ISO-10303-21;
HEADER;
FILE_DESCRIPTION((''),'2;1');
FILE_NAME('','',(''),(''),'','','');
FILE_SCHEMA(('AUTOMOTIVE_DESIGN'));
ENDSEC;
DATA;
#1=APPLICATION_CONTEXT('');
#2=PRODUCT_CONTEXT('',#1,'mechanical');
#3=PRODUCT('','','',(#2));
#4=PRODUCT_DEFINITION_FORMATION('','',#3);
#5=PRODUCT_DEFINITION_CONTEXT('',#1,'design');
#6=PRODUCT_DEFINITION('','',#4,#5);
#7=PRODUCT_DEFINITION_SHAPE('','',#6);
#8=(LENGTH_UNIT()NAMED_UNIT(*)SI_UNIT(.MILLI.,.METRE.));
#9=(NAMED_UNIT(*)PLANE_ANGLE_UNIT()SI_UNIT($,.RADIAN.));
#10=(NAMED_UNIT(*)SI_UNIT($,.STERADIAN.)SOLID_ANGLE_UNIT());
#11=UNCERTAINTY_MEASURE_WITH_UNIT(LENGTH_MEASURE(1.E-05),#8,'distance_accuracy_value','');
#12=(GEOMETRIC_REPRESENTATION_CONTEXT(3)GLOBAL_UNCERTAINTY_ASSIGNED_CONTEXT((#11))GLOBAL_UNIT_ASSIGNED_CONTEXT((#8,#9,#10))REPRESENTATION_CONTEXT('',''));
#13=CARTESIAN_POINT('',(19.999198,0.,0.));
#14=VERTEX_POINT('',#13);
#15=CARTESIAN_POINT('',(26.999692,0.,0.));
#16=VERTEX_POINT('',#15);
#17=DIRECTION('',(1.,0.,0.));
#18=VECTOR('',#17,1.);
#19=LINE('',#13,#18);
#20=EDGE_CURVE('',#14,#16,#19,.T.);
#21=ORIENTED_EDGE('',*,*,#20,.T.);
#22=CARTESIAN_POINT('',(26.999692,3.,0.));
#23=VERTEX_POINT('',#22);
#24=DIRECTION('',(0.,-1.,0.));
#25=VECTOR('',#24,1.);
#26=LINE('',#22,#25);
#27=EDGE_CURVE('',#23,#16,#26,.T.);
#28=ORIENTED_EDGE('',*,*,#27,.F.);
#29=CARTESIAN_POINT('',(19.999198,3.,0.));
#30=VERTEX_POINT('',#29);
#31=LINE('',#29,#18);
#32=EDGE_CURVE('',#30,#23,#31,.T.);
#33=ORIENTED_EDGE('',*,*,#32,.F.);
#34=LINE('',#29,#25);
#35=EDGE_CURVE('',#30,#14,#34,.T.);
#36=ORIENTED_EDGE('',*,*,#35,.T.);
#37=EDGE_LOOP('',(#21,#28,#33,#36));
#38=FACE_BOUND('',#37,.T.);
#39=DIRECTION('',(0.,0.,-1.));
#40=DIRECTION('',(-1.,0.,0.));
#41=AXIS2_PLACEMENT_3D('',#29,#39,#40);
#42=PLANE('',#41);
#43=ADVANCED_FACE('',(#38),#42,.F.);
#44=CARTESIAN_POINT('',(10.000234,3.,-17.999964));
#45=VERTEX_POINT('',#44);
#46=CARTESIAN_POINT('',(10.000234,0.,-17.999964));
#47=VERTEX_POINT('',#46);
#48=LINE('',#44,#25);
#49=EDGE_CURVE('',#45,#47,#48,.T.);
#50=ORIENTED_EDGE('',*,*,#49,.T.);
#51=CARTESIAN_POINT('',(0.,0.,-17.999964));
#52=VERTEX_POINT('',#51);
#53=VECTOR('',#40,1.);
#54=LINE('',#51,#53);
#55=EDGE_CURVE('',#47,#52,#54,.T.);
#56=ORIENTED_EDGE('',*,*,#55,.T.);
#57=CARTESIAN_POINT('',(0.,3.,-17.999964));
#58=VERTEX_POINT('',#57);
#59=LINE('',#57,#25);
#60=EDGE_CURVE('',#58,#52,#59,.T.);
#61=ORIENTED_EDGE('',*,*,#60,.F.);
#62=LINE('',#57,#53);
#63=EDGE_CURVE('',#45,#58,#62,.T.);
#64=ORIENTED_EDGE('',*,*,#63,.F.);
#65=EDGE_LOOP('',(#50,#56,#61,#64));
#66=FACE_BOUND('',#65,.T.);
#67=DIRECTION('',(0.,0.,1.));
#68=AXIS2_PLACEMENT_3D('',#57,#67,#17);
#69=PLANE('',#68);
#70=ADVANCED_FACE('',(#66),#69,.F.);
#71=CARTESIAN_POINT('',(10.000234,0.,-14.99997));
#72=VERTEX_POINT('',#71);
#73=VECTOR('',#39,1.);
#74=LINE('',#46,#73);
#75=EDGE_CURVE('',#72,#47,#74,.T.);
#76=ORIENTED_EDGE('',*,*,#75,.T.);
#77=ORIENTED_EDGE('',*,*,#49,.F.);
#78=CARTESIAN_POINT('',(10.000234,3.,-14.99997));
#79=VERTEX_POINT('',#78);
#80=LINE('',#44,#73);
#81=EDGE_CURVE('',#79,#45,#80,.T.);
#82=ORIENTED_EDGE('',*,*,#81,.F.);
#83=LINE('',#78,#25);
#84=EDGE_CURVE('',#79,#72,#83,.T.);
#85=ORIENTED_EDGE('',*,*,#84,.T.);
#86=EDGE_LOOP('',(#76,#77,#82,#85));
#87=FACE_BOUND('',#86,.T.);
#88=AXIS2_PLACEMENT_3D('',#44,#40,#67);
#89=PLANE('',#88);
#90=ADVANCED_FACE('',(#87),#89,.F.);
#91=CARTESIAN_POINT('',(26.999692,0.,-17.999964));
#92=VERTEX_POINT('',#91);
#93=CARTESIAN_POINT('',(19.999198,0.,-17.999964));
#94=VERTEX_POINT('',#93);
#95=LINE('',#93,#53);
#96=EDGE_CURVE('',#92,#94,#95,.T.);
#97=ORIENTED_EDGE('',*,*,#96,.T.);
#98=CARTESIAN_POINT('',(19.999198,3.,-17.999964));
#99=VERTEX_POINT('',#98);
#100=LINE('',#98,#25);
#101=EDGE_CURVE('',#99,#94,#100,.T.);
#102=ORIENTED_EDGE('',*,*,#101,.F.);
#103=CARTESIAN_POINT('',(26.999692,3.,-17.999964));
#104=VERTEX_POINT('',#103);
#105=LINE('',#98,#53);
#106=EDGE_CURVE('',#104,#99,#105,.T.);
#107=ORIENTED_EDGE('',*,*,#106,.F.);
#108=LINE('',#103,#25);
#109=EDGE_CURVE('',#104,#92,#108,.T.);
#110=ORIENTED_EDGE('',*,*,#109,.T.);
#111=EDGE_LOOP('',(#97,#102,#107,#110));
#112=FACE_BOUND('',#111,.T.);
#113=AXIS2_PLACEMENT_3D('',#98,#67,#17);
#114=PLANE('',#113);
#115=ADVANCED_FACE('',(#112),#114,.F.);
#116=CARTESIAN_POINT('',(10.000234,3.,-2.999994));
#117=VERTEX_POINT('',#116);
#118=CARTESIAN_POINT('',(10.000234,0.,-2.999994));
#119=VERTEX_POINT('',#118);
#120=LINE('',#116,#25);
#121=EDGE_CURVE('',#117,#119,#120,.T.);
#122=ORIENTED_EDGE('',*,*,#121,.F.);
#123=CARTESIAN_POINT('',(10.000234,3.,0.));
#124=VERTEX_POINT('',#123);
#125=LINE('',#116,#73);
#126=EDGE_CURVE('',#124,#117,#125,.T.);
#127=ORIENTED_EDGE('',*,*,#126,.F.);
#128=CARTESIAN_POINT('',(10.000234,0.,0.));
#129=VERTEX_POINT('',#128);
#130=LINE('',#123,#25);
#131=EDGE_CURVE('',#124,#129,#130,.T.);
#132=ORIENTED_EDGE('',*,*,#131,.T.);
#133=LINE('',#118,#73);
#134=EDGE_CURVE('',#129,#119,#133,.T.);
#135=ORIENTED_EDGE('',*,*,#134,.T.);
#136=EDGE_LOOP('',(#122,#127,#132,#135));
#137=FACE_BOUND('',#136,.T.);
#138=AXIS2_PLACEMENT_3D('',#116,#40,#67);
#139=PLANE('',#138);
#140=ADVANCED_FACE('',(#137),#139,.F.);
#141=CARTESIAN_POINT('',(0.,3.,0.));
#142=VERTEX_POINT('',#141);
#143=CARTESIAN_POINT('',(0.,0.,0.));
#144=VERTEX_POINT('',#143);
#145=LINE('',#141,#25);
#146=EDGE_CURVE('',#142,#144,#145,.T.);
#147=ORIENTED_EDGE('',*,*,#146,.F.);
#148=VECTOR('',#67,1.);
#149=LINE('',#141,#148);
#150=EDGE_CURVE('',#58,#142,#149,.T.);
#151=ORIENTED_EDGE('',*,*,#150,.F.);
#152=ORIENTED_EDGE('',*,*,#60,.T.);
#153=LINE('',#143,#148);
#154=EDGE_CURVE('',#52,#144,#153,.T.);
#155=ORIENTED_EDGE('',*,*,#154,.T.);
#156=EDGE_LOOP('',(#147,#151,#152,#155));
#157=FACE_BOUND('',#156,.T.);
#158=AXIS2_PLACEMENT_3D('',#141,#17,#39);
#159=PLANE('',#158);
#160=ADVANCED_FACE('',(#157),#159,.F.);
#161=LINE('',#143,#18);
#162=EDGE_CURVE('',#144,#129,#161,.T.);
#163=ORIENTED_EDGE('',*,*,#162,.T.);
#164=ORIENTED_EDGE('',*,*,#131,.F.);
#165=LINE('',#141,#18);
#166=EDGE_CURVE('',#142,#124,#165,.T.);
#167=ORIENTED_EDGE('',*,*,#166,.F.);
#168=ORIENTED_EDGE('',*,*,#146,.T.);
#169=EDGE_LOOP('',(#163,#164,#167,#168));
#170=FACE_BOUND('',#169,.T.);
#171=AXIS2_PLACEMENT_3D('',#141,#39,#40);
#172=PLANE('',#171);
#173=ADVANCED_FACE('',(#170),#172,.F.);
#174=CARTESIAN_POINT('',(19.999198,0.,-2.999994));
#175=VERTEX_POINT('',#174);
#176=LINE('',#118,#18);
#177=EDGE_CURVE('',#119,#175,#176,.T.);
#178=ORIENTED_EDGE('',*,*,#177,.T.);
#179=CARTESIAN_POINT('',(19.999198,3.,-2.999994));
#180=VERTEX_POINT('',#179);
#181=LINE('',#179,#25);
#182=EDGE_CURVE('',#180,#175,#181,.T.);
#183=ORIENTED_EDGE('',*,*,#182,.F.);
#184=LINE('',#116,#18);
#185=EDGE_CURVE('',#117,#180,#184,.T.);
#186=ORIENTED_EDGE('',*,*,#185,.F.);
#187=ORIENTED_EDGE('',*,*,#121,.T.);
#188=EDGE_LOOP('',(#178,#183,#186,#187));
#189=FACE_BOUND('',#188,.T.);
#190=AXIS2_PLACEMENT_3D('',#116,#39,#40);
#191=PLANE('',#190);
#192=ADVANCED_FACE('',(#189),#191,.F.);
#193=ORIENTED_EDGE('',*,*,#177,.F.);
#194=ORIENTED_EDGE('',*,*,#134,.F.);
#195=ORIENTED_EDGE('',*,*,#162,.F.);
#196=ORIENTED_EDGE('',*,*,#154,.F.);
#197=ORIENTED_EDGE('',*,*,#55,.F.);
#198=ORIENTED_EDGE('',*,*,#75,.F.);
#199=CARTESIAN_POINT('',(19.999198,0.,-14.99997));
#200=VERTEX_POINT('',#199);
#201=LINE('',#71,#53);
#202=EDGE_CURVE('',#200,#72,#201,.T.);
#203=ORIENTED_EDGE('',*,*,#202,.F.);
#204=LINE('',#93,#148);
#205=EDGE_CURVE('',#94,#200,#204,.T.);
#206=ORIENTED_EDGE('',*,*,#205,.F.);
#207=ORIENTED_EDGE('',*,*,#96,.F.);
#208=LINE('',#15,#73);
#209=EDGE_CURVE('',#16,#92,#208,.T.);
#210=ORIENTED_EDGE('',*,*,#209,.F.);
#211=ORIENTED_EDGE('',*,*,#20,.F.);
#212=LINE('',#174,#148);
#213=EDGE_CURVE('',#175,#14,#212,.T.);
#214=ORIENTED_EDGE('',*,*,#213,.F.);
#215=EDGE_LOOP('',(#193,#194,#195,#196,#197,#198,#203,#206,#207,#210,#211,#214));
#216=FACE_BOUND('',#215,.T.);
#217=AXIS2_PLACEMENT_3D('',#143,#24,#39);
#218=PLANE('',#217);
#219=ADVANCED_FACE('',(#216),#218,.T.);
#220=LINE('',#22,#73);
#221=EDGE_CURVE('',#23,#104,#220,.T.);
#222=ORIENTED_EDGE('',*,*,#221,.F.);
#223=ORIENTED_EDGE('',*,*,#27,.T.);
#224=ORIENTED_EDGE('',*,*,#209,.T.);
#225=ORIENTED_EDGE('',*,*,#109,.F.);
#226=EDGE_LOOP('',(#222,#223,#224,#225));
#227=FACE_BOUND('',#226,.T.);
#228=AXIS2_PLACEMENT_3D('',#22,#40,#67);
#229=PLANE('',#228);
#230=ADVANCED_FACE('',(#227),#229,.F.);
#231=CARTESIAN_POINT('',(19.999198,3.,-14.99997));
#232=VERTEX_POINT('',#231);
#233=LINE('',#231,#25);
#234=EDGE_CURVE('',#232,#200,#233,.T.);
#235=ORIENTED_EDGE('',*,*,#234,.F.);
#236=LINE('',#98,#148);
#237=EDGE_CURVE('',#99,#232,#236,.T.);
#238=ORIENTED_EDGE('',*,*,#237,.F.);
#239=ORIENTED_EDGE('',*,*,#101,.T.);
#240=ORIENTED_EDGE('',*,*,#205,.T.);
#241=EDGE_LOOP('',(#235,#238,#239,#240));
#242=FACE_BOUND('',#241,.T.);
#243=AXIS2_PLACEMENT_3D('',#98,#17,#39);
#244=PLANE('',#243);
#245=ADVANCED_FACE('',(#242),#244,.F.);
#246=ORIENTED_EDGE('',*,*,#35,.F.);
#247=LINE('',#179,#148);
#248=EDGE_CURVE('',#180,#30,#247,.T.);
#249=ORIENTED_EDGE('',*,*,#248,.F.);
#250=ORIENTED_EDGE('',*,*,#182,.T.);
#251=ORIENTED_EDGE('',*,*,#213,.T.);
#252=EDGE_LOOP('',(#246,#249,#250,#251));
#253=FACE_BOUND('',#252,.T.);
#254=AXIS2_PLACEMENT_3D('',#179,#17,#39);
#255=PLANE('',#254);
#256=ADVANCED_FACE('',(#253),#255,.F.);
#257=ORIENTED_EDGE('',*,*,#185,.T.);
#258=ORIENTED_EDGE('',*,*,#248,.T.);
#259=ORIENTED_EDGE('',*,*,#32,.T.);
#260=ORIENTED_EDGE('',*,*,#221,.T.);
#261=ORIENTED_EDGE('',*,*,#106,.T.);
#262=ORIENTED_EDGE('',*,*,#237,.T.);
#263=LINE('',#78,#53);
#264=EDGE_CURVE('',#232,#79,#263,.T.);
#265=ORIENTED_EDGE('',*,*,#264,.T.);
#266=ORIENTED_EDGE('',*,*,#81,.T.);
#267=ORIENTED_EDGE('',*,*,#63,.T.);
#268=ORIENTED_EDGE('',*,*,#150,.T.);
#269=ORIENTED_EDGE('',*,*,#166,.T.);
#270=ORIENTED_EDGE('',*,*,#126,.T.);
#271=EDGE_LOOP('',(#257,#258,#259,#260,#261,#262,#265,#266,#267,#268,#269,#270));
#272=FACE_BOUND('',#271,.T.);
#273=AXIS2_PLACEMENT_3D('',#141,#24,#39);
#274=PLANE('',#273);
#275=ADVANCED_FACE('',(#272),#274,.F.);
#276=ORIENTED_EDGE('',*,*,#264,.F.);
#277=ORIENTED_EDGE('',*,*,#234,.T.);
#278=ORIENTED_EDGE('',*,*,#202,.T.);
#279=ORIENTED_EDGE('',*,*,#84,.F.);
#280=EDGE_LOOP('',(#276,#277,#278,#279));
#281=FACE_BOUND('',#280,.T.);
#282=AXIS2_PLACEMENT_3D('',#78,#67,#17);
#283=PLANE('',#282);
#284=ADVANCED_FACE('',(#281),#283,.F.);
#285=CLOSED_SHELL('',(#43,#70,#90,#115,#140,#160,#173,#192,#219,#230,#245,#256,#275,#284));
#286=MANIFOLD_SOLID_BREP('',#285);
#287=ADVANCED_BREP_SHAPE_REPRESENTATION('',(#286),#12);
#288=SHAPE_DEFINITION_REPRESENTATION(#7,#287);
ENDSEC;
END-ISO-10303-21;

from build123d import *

# Parameters (mm, degrees)
AUFSATZ_LINEAR_AUSTRAGEN1_DEPTH = 3


with BuildPart() as part:
    # Skizze1 → Aufsatz-Linear austragen1 (new body)
    with BuildSketch(Plane(origin=(0, 0, 0), x_dir=(1, 0, 0), z_dir=(0, 1, 0))):
        Polygon((0, 0), (10.000234, 0), (10.000234, 2.999994), (19.999198, 2.999994), (19.999198, 0), (26.999692, 0), (26.999692, 17.999964), (19.999198, 17.999964), (19.999198, 14.99997), (10.000234, 14.99997), (10.000234, 17.999964), (0, 17.999964), align=None)
    extrude(amount=AUFSATZ_LINEAR_AUSTRAGEN1_DEPTH)


solid = part.part
